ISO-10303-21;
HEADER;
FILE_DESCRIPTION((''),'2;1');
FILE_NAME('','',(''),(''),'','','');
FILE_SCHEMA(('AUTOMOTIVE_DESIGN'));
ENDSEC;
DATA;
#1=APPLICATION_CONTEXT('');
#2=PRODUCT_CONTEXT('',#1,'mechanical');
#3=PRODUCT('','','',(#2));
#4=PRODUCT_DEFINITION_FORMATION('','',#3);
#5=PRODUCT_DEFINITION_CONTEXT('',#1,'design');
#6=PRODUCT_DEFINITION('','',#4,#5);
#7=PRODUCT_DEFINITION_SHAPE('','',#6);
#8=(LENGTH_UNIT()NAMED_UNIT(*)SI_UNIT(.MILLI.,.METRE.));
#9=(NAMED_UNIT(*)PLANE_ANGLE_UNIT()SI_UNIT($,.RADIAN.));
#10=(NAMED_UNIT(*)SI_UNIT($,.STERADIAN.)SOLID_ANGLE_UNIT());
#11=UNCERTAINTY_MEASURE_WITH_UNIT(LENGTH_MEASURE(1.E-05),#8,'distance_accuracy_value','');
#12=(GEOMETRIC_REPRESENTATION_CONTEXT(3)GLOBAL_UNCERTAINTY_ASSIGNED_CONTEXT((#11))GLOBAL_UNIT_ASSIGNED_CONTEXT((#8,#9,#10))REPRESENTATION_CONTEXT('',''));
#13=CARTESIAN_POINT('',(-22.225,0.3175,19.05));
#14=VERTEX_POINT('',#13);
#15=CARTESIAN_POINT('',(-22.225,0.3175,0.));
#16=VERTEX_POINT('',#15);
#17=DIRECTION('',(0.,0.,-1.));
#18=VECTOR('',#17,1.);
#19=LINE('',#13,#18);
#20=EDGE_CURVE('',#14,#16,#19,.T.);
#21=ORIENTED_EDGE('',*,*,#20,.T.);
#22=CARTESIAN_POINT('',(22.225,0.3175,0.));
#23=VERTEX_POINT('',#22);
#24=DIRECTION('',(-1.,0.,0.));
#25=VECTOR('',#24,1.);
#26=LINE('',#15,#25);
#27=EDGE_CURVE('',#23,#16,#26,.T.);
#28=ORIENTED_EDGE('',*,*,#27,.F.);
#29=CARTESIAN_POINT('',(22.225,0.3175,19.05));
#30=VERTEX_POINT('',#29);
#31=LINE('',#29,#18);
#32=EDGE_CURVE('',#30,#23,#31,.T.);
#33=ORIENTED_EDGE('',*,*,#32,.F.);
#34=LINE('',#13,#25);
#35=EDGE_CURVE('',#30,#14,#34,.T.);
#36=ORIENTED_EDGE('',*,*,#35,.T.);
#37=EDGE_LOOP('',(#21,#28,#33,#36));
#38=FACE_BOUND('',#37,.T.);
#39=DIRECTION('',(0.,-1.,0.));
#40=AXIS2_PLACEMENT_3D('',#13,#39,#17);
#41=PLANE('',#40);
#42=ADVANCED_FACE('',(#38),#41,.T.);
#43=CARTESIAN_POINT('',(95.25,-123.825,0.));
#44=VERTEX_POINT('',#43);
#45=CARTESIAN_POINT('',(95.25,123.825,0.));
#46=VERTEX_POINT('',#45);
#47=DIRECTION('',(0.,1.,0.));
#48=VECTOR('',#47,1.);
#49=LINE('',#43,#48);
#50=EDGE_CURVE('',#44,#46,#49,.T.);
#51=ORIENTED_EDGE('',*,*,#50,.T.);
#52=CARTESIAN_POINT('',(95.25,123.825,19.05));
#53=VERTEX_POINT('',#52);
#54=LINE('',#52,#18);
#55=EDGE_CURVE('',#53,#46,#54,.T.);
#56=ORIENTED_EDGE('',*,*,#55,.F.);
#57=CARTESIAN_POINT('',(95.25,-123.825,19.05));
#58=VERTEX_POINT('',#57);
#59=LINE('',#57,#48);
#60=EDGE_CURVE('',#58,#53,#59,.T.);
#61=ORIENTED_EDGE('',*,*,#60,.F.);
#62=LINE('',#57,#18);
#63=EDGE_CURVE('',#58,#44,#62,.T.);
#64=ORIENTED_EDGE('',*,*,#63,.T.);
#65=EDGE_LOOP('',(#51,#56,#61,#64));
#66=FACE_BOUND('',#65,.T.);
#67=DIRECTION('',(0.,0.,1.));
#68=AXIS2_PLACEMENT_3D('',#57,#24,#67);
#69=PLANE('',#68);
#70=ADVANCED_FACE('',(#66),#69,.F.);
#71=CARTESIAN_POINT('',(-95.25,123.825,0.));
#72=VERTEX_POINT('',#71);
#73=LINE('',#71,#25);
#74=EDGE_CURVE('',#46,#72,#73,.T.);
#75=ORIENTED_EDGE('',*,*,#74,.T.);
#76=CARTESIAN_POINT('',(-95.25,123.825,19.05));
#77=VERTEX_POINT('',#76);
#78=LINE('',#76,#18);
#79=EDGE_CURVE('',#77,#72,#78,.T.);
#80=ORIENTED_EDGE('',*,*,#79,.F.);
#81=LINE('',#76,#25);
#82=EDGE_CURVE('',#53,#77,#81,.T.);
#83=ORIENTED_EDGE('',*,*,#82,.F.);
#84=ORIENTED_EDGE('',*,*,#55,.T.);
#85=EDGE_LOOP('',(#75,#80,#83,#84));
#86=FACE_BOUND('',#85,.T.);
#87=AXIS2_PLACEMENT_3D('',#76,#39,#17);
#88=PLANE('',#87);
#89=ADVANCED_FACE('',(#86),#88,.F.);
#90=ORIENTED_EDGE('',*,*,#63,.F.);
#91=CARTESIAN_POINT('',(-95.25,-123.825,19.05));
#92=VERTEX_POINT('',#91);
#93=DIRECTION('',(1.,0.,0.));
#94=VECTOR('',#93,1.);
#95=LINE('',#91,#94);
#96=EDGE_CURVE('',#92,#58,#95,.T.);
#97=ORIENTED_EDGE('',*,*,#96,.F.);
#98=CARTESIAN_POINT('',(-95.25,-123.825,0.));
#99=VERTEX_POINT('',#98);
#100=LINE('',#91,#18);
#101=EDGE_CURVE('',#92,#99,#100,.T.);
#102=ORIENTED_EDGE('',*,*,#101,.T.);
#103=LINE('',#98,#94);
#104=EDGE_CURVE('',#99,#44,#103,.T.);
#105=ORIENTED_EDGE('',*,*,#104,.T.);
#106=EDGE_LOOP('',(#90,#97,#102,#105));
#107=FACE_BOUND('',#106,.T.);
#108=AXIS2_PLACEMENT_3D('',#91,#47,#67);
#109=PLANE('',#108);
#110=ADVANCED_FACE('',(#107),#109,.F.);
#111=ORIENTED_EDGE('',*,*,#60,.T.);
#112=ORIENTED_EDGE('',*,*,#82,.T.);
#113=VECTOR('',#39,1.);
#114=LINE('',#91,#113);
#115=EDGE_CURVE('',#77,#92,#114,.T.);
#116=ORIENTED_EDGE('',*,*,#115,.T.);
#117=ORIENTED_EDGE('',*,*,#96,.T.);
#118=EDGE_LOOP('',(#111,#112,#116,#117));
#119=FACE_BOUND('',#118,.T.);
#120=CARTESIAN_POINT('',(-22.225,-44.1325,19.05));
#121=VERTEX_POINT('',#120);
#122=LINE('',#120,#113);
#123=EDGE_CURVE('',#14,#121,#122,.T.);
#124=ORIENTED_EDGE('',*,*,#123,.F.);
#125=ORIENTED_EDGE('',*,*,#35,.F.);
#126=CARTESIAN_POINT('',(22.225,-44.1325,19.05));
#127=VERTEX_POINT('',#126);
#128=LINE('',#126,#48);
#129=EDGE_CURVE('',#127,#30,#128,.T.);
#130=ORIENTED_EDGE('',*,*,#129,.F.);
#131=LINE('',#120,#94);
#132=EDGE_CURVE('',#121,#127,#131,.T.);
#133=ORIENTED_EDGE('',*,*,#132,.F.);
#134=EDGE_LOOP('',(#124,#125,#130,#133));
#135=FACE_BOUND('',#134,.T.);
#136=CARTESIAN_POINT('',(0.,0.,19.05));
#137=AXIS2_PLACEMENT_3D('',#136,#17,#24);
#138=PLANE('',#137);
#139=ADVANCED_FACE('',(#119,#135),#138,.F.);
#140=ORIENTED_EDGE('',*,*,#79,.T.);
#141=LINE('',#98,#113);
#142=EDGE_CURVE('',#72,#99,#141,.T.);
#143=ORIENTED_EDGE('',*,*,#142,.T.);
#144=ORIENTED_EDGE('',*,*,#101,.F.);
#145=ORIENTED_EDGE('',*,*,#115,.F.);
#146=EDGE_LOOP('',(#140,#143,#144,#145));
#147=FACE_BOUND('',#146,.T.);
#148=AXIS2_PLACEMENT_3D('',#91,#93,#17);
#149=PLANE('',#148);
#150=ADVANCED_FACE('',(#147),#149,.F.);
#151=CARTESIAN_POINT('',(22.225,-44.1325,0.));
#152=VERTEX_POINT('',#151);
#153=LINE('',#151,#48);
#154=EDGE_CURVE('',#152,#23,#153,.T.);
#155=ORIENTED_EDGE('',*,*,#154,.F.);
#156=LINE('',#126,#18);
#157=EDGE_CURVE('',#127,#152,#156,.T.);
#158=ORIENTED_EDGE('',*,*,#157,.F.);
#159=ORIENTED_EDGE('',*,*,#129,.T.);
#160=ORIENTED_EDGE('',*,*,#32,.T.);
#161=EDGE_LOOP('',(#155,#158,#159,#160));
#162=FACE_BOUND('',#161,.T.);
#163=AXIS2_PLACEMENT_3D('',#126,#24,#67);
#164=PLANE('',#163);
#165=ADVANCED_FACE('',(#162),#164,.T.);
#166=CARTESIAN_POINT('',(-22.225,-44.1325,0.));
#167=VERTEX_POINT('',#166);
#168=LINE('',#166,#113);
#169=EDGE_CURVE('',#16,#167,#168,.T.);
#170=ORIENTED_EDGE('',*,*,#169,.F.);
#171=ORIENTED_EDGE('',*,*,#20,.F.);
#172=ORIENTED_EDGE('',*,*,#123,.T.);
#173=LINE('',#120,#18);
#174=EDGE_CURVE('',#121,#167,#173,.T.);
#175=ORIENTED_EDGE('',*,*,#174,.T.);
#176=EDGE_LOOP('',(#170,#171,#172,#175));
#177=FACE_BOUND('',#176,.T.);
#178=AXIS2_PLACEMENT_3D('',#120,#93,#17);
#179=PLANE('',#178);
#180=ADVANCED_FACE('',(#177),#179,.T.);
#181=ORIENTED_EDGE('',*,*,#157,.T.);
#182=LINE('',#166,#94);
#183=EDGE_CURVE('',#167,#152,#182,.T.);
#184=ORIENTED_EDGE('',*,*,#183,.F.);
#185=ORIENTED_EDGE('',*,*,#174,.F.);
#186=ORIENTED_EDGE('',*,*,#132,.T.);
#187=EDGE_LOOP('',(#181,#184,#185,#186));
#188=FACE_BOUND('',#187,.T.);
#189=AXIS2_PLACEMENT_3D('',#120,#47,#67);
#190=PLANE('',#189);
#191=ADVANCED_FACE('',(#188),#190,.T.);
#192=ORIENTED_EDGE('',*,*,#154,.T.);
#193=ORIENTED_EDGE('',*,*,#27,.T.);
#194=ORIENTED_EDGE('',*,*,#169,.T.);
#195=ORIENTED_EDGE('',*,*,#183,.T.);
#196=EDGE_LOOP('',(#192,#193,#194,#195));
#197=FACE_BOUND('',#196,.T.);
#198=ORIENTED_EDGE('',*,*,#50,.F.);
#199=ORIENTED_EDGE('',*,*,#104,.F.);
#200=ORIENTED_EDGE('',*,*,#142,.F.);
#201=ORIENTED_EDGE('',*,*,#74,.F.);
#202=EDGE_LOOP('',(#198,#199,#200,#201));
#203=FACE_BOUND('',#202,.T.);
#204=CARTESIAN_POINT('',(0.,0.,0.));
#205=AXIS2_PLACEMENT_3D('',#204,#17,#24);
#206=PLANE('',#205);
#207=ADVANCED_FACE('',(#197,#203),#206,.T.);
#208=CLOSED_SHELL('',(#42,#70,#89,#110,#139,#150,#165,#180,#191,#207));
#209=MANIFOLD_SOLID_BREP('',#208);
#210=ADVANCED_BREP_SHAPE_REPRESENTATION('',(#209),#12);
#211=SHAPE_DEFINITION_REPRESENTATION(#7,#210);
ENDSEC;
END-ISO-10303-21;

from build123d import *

# Parameters (mm, degrees)
SKETCH2_W           = 190.5
SKETCH2_H           = 247.65
SKETCH2_W_2         = 44.45
SKETCH2_H_2         = 44.45
BOSS_EXTRUDE1_DEPTH = 19.05


with BuildPart() as part:
    # Sketch2 → Boss-Extrude1 (new body)
    with BuildSketch(Plane.XY):
        Rectangle(SKETCH2_W, SKETCH2_H)
        with Locations((0, -21.9075)):
            Rectangle(SKETCH2_W_2, SKETCH2_H_2, mode=Mode.SUBTRACT)
    extrude(amount=BOSS_EXTRUDE1_DEPTH)


solid = part.part
